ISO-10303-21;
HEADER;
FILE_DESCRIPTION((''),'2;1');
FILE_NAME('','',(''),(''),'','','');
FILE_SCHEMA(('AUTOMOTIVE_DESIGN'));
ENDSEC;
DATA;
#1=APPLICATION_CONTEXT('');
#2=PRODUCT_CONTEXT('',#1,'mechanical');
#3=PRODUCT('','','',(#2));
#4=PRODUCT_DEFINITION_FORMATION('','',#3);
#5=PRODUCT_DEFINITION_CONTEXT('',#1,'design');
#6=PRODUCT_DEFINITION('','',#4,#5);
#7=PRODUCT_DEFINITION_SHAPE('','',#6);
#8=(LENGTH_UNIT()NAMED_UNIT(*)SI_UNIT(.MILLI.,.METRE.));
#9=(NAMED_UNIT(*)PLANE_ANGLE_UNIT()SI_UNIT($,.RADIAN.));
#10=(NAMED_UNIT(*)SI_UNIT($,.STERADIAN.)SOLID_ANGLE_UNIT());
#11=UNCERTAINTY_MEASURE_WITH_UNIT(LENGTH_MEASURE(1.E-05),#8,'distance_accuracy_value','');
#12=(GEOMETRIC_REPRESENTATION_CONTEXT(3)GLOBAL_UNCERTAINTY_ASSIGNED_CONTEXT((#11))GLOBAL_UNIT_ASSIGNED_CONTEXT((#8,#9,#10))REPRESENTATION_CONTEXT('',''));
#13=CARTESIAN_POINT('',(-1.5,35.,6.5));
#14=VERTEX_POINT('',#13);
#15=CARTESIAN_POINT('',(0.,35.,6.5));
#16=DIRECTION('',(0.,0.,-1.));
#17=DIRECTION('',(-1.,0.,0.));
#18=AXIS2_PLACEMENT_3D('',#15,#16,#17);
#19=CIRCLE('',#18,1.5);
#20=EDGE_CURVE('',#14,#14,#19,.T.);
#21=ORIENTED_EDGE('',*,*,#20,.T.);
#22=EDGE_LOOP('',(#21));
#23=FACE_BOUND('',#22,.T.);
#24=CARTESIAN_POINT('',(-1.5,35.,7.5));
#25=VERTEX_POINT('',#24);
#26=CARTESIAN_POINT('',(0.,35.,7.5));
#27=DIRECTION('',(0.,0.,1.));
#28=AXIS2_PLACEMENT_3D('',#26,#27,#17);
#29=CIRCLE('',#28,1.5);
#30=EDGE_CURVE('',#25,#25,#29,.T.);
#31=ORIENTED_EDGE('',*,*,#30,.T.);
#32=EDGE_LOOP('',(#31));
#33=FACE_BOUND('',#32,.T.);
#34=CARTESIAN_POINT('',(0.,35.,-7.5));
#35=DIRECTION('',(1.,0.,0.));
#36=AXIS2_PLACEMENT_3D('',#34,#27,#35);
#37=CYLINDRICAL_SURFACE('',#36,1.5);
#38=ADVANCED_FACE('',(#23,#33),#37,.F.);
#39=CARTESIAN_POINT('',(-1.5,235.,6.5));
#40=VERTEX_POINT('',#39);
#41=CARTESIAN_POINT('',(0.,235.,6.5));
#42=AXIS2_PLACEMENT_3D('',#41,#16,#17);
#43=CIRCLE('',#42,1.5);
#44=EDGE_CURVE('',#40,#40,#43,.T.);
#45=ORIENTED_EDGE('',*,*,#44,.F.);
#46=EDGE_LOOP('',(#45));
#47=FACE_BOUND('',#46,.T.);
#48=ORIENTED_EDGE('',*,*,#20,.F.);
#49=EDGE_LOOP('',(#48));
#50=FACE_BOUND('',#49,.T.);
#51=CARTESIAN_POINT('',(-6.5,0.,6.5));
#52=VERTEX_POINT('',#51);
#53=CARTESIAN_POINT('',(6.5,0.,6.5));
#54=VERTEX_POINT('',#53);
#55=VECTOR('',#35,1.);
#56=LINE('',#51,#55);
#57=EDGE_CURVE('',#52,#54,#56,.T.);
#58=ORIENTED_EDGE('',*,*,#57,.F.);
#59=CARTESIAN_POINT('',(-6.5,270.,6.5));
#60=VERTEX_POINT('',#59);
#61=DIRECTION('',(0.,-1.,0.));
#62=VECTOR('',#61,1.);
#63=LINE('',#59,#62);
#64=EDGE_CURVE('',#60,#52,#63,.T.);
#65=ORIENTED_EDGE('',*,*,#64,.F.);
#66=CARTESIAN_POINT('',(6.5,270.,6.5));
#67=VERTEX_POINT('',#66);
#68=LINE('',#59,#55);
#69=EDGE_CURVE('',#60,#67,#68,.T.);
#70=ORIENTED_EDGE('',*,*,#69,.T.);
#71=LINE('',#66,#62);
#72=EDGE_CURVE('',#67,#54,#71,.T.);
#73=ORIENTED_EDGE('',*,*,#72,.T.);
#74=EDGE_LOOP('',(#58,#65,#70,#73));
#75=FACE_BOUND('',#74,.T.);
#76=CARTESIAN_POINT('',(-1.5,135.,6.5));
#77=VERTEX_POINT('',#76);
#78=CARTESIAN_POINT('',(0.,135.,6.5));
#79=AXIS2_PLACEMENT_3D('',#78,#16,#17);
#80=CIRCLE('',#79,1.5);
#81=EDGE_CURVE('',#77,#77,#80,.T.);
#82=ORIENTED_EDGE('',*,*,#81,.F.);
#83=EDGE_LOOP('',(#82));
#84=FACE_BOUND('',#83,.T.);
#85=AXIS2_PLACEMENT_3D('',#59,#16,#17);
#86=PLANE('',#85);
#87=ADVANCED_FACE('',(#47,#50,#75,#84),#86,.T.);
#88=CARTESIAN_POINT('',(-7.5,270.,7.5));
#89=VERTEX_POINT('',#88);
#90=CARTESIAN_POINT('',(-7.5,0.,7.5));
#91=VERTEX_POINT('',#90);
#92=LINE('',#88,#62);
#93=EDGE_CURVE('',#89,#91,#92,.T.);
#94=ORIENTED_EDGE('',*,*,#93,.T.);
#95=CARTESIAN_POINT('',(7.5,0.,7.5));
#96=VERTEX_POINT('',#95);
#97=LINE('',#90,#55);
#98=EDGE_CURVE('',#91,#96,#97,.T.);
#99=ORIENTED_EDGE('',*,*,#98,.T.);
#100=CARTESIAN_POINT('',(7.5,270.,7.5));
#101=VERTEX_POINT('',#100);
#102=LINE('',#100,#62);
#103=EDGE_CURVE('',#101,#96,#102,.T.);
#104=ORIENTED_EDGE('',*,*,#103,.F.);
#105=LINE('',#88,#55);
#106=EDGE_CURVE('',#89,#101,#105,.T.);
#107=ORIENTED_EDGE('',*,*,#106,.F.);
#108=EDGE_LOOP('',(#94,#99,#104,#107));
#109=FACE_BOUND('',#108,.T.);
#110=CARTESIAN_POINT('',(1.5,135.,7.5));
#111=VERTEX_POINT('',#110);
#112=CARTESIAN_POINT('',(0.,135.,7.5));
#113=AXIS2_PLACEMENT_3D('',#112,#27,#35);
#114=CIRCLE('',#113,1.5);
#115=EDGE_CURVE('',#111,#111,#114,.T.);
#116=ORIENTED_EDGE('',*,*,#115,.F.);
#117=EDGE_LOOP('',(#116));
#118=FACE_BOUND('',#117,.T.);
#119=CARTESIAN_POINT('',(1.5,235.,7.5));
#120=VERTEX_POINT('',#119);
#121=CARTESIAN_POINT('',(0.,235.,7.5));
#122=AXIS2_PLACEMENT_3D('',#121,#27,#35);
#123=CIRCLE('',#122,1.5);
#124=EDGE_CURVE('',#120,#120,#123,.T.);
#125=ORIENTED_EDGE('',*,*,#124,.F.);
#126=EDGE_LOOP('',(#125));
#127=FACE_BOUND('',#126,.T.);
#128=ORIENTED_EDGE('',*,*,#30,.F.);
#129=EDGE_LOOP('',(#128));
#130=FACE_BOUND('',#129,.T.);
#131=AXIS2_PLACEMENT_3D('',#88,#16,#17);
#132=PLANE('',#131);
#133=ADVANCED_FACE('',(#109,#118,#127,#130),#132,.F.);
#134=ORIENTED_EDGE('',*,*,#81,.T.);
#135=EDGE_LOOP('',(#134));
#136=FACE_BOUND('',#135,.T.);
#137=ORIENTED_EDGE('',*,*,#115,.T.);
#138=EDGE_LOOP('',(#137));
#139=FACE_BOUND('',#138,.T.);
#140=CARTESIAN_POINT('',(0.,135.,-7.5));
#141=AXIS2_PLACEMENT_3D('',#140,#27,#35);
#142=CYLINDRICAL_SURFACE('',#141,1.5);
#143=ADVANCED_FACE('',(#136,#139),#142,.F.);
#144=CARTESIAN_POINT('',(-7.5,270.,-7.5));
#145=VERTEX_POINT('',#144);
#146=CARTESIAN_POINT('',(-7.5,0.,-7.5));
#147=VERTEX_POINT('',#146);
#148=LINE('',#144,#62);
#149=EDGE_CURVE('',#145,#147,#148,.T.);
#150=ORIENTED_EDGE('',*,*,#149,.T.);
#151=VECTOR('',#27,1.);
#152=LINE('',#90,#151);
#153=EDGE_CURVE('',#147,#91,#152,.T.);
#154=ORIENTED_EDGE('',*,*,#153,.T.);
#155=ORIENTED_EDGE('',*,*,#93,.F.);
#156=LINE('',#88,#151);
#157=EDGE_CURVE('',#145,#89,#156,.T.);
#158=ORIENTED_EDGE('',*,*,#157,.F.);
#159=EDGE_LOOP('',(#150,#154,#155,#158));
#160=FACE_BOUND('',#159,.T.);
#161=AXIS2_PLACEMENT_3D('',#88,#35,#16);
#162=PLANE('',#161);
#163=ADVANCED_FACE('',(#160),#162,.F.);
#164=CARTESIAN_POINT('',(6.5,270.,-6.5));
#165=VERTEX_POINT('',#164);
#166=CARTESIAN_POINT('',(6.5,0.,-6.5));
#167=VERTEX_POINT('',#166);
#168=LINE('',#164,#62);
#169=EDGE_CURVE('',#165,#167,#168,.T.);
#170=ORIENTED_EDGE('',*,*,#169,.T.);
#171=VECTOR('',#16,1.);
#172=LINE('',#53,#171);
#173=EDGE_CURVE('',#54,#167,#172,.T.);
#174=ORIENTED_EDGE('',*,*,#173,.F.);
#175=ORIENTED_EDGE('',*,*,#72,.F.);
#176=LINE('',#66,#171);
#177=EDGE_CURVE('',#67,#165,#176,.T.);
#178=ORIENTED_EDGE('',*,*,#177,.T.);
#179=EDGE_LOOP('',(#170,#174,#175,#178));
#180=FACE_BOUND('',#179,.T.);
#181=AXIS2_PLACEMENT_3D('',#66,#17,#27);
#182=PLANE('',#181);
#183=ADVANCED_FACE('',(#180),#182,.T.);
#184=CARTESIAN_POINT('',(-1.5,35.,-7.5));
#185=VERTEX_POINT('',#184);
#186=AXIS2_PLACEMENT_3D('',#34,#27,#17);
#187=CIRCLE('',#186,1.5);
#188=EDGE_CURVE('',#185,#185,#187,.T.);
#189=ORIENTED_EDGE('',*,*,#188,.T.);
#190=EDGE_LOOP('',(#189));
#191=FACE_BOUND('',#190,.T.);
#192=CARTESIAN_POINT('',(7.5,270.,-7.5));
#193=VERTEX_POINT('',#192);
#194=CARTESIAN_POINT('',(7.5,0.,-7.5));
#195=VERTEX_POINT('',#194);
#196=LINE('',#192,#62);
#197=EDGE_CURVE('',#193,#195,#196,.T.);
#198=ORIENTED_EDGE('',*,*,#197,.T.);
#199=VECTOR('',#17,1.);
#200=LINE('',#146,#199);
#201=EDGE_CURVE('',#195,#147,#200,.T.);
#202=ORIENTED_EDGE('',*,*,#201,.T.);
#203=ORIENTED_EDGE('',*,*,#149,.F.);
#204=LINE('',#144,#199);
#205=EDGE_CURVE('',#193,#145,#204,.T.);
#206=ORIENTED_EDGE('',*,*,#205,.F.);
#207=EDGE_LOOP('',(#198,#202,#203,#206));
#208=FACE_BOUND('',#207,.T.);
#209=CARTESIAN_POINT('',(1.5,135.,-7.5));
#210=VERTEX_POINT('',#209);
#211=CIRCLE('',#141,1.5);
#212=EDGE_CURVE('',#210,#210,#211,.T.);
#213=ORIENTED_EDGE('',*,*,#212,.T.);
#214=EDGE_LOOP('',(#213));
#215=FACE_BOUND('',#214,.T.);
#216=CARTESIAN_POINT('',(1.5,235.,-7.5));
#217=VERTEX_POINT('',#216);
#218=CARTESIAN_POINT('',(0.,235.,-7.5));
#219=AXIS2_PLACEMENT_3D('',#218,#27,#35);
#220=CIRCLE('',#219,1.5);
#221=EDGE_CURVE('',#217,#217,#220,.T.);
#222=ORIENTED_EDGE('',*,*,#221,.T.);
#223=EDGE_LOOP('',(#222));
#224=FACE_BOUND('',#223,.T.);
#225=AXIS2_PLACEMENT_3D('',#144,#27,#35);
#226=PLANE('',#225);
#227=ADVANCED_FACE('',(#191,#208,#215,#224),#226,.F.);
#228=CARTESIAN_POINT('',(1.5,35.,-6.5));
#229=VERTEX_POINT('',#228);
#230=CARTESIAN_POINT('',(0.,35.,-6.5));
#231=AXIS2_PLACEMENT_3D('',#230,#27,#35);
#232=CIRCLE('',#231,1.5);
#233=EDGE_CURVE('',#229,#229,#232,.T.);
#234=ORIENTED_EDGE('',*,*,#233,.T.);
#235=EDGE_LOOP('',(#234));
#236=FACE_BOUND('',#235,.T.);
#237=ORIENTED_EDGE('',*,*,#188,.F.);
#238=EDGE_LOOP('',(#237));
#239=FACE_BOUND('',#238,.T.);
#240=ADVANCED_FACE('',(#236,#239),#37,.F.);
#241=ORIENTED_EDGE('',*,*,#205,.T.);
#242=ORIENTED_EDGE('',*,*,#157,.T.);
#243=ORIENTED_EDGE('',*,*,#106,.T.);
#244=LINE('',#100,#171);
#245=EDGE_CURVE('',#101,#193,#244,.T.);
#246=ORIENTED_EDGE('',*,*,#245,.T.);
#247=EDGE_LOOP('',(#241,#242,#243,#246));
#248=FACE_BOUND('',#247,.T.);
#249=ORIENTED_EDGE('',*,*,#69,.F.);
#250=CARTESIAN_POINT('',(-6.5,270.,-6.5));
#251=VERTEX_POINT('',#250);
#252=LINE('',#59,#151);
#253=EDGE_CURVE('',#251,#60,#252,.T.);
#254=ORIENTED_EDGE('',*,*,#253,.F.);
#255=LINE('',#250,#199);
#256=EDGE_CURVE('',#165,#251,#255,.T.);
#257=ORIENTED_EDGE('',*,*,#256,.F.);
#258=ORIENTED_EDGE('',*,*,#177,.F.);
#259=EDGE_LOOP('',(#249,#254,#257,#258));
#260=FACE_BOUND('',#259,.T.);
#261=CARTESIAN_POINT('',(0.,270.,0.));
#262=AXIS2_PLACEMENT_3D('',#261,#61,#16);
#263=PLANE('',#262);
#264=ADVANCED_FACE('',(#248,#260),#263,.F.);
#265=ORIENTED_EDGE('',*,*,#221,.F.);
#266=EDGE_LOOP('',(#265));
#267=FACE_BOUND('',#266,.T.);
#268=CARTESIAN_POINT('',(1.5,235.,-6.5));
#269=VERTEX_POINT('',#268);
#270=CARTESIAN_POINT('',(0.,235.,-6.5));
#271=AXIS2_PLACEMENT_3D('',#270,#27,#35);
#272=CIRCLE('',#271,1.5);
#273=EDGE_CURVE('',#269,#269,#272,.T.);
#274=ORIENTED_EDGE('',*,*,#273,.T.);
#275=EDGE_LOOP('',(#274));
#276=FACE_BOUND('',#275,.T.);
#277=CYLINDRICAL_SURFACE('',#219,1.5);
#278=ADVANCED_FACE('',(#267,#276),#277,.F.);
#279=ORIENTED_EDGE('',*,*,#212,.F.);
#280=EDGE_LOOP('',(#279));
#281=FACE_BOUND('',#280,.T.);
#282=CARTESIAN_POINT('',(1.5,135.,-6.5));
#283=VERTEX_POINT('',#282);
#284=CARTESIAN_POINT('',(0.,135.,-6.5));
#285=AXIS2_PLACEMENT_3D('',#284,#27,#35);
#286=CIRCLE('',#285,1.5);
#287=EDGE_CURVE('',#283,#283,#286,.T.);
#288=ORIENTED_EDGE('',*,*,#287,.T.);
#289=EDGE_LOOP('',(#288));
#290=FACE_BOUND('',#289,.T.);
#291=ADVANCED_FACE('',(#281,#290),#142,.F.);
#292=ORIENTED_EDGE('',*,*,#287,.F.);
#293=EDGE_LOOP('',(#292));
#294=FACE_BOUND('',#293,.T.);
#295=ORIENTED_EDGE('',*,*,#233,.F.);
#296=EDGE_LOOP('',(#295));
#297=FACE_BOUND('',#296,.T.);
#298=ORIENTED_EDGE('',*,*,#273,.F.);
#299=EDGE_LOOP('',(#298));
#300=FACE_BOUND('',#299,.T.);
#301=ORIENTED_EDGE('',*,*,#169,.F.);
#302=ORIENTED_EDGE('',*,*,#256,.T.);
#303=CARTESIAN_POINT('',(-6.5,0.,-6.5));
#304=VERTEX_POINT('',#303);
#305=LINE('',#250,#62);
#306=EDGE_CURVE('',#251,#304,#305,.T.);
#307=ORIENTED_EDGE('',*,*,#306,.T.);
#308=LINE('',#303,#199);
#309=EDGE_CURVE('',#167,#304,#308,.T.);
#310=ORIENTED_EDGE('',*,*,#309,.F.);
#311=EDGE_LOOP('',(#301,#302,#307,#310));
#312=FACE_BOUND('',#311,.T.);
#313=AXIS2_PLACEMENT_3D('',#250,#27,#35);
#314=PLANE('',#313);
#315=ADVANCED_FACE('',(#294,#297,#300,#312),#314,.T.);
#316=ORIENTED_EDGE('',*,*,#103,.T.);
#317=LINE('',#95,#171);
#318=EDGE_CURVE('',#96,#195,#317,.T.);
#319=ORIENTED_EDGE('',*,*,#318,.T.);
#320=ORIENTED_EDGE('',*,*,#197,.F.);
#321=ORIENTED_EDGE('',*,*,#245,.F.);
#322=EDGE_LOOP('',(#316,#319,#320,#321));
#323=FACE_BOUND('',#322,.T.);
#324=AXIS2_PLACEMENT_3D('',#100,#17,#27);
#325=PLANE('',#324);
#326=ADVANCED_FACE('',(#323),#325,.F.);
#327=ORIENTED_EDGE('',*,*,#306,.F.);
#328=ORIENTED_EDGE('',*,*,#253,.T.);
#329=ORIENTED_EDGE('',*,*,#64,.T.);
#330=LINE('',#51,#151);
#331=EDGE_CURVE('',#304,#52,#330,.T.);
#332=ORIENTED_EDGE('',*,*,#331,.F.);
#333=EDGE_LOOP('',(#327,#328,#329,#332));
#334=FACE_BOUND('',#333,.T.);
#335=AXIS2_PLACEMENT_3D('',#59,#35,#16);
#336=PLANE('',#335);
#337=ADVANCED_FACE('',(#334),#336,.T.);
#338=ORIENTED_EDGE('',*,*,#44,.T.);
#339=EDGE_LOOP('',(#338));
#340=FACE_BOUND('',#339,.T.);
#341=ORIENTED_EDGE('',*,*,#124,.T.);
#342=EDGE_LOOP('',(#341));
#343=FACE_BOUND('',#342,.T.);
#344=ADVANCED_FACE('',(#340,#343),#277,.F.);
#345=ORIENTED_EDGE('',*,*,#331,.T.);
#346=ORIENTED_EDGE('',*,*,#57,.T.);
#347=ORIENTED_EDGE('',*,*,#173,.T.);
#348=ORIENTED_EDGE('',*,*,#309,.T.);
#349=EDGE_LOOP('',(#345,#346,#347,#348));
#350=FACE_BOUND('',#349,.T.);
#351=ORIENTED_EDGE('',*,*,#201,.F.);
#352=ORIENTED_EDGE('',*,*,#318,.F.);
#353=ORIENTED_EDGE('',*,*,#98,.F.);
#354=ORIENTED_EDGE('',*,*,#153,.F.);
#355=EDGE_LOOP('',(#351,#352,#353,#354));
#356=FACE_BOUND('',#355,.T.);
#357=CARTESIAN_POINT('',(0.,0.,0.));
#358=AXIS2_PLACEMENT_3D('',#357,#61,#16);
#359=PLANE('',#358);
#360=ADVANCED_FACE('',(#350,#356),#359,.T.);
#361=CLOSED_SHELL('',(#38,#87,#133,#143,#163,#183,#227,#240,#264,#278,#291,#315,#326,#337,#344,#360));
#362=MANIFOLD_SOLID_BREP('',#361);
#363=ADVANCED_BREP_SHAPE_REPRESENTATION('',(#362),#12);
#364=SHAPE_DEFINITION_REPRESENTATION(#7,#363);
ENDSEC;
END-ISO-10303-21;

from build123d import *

# Parameters (mm, degrees)
SKETCH_1_W          = 15
SKETCH_1_H          = 15
SKETCH_1_W_2        = 13
SKETCH_1_H_2        = 13
EXTRUDE_1_DEPTH     = 270
SKETCH_2_R          = 1.5
CUT_EXTRUDE_1_DEPTH = 271.520331953


with BuildPart() as part:
    # 草图1 → 凸台-拉伸1 (new body)
    with BuildSketch(Plane(origin=(0, 0, 0), x_dir=(1, 0, 0), z_dir=(0, 1, 0))):
        Rectangle(SKETCH_1_W, SKETCH_1_H)
        Rectangle(SKETCH_1_W_2, SKETCH_1_H_2, mode=Mode.SUBTRACT)
    extrude(amount=EXTRUDE_1_DEPTH)

    # 草图2 → 切除-拉伸1 (cut, through all)
    with BuildSketch(Plane.XY.offset(7.5)):
        with Locations((0, 235)):
            Circle(SKETCH_2_R)
        with Locations((0, 35)):
            Circle(SKETCH_2_R)
        with Locations((0, 135)):
            Circle(SKETCH_2_R)
    extrude(amount=-CUT_EXTRUDE_1_DEPTH, mode=Mode.SUBTRACT)


solid = part.part
